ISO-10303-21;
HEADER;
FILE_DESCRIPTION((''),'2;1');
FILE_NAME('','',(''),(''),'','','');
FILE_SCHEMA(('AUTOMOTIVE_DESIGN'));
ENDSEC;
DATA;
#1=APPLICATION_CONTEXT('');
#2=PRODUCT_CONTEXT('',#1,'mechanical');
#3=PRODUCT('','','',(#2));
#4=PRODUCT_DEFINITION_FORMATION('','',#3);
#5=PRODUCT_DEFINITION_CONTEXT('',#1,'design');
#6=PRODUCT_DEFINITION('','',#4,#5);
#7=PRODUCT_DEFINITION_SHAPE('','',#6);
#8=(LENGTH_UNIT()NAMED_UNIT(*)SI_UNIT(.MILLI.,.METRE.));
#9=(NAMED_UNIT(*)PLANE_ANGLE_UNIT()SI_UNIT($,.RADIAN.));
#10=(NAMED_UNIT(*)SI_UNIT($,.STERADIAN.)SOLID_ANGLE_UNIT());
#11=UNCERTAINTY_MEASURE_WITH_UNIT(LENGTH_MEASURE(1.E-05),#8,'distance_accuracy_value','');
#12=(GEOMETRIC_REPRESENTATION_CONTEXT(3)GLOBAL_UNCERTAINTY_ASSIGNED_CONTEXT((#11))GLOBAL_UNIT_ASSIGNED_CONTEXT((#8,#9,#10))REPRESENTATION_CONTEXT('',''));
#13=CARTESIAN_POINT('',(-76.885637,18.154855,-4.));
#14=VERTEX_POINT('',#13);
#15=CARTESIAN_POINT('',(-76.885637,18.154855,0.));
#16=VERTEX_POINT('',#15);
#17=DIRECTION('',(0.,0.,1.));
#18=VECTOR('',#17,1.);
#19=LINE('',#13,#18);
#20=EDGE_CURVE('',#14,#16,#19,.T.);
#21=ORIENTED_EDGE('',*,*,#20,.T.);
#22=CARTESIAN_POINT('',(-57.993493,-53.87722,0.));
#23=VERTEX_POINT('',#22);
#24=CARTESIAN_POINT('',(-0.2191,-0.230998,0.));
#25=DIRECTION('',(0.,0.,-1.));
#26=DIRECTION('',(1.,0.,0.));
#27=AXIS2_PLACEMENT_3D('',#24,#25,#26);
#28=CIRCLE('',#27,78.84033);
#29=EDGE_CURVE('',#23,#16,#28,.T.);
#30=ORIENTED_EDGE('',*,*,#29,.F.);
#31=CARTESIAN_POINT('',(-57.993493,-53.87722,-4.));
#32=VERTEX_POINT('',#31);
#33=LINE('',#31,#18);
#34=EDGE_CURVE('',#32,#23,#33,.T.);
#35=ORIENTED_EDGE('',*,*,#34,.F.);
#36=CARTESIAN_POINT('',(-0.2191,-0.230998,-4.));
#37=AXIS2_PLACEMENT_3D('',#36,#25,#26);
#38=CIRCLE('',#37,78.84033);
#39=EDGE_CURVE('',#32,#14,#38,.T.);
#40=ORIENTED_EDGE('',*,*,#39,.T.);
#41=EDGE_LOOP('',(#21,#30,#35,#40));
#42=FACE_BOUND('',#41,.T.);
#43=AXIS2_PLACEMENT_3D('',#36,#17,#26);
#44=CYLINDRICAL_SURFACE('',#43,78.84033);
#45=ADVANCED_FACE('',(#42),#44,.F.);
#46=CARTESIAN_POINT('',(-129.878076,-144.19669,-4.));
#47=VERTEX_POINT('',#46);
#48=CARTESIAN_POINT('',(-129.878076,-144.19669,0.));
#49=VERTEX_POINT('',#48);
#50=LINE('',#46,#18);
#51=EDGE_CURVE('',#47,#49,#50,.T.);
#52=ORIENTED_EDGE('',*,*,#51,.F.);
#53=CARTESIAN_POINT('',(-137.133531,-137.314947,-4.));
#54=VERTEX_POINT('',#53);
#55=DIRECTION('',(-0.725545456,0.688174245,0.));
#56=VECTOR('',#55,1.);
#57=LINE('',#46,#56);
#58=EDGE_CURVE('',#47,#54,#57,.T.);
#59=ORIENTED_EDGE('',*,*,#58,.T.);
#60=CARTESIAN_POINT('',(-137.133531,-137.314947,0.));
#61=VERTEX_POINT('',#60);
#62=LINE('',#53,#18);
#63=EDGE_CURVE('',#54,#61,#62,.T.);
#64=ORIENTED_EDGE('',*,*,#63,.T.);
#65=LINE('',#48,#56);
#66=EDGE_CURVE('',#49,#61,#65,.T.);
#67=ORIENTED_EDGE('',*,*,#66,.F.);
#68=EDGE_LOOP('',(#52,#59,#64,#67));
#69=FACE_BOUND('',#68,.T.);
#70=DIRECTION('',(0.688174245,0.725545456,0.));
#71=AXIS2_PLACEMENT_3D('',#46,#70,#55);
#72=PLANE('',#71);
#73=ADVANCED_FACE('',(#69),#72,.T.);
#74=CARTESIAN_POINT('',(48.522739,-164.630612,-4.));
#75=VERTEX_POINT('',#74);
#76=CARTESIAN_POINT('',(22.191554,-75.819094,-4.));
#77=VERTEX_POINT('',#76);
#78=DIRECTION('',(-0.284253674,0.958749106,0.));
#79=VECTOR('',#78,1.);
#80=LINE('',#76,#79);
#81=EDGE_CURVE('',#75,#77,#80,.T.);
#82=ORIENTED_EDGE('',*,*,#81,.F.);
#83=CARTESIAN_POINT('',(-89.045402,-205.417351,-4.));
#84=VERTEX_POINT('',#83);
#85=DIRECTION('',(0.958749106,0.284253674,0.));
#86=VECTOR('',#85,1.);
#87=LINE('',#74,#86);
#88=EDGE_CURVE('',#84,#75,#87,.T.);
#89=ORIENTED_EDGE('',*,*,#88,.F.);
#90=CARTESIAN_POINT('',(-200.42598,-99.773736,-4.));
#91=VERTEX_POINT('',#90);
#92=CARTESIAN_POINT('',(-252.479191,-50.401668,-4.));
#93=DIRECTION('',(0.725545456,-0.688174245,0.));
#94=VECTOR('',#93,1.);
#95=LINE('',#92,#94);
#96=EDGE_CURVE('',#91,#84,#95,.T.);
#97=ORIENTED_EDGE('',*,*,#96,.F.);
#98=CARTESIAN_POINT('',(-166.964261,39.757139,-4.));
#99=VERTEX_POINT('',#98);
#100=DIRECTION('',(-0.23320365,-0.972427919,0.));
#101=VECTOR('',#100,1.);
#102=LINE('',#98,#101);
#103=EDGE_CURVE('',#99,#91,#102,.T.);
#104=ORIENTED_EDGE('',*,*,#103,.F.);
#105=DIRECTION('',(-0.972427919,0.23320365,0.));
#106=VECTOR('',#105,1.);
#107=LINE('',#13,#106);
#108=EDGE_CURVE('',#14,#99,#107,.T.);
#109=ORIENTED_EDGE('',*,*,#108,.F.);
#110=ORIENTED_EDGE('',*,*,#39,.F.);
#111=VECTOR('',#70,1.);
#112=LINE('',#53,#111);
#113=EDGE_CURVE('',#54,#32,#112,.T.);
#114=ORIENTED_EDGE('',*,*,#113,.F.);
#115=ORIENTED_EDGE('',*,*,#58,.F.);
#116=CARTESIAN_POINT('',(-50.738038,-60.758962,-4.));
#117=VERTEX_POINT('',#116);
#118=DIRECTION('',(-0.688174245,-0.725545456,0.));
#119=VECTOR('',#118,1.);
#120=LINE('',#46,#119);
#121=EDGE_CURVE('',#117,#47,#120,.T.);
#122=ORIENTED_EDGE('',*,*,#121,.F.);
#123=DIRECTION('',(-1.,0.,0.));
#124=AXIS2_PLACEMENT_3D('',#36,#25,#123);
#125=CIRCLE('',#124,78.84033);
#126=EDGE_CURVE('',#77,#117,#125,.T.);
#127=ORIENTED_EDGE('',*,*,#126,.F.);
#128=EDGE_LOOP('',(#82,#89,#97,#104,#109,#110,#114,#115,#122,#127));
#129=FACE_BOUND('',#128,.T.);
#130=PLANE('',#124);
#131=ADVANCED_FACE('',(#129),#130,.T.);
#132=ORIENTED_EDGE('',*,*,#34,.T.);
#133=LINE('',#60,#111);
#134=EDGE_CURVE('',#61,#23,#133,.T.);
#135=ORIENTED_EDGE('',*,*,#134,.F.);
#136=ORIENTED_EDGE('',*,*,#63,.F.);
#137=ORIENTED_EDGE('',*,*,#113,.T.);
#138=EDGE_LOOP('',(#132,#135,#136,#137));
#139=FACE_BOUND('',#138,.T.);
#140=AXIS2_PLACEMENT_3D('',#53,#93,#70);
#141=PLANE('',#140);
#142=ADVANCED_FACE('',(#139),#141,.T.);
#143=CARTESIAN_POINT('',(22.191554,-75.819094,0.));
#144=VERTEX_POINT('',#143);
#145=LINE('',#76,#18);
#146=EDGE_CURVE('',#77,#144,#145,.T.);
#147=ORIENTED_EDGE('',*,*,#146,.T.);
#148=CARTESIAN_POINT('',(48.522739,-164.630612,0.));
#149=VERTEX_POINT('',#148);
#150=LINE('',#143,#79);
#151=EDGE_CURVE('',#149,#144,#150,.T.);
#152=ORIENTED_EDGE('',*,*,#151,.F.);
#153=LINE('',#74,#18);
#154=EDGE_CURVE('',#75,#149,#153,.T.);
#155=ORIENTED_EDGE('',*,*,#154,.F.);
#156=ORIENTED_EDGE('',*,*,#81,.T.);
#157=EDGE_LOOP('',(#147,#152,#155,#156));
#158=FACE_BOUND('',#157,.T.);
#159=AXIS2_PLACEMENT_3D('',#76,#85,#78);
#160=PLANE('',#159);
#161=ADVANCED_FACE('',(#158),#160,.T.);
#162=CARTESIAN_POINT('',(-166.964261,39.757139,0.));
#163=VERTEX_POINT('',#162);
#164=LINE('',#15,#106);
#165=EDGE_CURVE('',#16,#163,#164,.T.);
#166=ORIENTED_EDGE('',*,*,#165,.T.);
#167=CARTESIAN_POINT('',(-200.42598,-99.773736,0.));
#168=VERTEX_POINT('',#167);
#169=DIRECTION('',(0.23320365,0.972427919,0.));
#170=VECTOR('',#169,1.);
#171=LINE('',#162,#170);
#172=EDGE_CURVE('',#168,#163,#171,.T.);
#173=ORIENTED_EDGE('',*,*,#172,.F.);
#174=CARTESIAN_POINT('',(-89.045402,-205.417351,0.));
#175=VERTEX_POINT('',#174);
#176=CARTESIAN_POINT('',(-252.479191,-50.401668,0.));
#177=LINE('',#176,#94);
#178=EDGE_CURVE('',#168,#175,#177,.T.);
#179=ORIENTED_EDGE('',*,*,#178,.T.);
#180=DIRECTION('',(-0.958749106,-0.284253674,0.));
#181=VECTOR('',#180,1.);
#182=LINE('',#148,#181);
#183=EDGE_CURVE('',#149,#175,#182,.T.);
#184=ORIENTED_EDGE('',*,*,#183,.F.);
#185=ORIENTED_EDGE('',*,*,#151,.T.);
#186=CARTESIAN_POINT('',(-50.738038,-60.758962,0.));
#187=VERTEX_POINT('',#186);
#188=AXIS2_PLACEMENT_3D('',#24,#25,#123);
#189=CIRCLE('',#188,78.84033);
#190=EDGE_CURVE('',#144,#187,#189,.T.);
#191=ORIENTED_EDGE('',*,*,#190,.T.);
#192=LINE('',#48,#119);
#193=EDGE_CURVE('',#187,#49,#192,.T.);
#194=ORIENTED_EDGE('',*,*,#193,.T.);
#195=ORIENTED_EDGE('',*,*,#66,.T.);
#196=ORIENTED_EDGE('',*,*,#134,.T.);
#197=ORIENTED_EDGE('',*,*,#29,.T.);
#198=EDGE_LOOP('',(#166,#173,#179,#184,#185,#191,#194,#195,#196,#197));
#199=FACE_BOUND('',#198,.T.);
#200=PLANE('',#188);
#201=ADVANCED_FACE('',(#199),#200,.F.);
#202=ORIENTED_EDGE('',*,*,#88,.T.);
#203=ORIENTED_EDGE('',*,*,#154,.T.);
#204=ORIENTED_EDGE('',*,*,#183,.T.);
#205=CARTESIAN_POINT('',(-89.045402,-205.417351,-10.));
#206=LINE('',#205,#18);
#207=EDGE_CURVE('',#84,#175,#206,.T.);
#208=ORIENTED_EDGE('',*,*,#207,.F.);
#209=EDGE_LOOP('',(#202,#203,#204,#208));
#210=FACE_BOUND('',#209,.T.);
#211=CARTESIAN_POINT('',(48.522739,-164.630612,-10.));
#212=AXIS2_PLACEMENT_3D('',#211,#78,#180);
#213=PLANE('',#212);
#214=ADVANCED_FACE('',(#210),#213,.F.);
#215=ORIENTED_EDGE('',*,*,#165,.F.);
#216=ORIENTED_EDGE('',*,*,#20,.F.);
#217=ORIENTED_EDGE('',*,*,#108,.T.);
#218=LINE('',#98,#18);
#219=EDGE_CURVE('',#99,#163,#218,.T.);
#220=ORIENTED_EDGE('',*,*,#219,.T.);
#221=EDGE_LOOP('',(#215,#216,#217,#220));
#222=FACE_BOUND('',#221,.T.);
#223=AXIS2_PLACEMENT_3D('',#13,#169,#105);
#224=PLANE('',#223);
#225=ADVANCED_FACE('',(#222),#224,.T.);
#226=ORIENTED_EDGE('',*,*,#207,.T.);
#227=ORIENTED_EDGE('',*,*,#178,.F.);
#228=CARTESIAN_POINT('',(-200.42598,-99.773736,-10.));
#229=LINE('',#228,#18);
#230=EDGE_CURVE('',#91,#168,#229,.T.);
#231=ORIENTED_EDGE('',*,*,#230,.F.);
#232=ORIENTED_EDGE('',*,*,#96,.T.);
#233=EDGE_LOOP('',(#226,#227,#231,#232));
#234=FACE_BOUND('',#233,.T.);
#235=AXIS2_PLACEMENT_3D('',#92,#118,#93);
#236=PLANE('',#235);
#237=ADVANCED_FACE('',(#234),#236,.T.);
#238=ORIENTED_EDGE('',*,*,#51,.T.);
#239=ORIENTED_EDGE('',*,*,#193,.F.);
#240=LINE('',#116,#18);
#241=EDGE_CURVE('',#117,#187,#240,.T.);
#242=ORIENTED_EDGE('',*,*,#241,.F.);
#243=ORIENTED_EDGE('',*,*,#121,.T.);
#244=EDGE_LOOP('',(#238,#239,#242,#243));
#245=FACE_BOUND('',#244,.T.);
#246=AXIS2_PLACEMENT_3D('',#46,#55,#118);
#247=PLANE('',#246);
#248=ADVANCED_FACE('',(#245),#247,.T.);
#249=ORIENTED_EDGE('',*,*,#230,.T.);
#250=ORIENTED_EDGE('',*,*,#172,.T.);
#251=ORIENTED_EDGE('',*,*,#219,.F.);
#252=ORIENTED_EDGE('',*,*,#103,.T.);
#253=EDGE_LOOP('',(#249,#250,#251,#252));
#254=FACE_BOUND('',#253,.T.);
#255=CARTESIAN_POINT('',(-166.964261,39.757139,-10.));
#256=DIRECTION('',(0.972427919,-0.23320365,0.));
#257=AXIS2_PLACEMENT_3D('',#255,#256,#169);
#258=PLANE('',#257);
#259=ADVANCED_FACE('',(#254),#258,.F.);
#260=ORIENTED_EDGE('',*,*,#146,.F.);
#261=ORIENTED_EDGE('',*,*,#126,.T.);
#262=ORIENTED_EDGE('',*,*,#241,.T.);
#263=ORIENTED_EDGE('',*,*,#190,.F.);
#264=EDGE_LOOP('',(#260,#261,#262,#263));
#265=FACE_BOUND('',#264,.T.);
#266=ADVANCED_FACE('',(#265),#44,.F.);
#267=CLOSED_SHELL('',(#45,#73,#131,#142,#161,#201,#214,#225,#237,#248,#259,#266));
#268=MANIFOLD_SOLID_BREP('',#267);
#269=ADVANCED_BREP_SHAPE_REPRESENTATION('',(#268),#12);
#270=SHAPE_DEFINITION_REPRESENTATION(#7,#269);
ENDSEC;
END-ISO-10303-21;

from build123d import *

# Parameters (mm, degrees)
BOSS_EXTRU_1_DEPTH      = 4
ENL_V_MAT_EXTRU_2_DEPTH = 10


with BuildPart() as part:
    # Esquisse1 → Boss.-Extru.1 (new body)
    with BuildSketch(Plane.XY):
        with BuildLine():
            Line((-252.479191453, -50.401668407), (-36.99219102, -254.789419126))
            Line((-36.99219102, -254.789419126), (48.52273895, -164.630612218))
            Line((48.52273895, -164.630612218), (22.191553545, -75.81909358))
            ThreePointArc((22.191553545, -75.81909358), (-16.163403148, -77.442245684), (-50.738038063, -60.758962249))
            Line((-50.738038063, -60.758962249), (-129.87807622, -144.196689689))
            Line((-129.87807622, -144.196689689), (-137.13353078, -137.314947241))
            Line((-137.13353078, -137.314947241), (-57.993492623, -53.8772198))
            ThreePointArc((-57.993492623, -53.8772198), (-76.480137606, -20.232290272), (-76.885637492, 18.154854653))
            Line((-76.885637492, 18.154854653), (-166.964261484, 39.757138501))
            Line((-166.964261484, 39.757138501), (-252.479191453, -50.401668407))
        make_face()
    extrude(amount=-BOSS_EXTRU_1_DEPTH)

    # Esquisse3 → Enlèv. mat.-Extru.2 (cut)
    with BuildSketch(Plane.XY):
        Polygon((-166.964261484, 39.757138501), (-200.425980015, -99.773736244), (-252.479191453, -50.401668407), align=None)
        Polygon((-36.99219102, -254.789419126), (48.52273895, -164.630612218), (-89.045402457, -205.417351289), align=None)
    extrude(amount=-ENL_V_MAT_EXTRU_2_DEPTH, mode=Mode.SUBTRACT)


solid = part.part
